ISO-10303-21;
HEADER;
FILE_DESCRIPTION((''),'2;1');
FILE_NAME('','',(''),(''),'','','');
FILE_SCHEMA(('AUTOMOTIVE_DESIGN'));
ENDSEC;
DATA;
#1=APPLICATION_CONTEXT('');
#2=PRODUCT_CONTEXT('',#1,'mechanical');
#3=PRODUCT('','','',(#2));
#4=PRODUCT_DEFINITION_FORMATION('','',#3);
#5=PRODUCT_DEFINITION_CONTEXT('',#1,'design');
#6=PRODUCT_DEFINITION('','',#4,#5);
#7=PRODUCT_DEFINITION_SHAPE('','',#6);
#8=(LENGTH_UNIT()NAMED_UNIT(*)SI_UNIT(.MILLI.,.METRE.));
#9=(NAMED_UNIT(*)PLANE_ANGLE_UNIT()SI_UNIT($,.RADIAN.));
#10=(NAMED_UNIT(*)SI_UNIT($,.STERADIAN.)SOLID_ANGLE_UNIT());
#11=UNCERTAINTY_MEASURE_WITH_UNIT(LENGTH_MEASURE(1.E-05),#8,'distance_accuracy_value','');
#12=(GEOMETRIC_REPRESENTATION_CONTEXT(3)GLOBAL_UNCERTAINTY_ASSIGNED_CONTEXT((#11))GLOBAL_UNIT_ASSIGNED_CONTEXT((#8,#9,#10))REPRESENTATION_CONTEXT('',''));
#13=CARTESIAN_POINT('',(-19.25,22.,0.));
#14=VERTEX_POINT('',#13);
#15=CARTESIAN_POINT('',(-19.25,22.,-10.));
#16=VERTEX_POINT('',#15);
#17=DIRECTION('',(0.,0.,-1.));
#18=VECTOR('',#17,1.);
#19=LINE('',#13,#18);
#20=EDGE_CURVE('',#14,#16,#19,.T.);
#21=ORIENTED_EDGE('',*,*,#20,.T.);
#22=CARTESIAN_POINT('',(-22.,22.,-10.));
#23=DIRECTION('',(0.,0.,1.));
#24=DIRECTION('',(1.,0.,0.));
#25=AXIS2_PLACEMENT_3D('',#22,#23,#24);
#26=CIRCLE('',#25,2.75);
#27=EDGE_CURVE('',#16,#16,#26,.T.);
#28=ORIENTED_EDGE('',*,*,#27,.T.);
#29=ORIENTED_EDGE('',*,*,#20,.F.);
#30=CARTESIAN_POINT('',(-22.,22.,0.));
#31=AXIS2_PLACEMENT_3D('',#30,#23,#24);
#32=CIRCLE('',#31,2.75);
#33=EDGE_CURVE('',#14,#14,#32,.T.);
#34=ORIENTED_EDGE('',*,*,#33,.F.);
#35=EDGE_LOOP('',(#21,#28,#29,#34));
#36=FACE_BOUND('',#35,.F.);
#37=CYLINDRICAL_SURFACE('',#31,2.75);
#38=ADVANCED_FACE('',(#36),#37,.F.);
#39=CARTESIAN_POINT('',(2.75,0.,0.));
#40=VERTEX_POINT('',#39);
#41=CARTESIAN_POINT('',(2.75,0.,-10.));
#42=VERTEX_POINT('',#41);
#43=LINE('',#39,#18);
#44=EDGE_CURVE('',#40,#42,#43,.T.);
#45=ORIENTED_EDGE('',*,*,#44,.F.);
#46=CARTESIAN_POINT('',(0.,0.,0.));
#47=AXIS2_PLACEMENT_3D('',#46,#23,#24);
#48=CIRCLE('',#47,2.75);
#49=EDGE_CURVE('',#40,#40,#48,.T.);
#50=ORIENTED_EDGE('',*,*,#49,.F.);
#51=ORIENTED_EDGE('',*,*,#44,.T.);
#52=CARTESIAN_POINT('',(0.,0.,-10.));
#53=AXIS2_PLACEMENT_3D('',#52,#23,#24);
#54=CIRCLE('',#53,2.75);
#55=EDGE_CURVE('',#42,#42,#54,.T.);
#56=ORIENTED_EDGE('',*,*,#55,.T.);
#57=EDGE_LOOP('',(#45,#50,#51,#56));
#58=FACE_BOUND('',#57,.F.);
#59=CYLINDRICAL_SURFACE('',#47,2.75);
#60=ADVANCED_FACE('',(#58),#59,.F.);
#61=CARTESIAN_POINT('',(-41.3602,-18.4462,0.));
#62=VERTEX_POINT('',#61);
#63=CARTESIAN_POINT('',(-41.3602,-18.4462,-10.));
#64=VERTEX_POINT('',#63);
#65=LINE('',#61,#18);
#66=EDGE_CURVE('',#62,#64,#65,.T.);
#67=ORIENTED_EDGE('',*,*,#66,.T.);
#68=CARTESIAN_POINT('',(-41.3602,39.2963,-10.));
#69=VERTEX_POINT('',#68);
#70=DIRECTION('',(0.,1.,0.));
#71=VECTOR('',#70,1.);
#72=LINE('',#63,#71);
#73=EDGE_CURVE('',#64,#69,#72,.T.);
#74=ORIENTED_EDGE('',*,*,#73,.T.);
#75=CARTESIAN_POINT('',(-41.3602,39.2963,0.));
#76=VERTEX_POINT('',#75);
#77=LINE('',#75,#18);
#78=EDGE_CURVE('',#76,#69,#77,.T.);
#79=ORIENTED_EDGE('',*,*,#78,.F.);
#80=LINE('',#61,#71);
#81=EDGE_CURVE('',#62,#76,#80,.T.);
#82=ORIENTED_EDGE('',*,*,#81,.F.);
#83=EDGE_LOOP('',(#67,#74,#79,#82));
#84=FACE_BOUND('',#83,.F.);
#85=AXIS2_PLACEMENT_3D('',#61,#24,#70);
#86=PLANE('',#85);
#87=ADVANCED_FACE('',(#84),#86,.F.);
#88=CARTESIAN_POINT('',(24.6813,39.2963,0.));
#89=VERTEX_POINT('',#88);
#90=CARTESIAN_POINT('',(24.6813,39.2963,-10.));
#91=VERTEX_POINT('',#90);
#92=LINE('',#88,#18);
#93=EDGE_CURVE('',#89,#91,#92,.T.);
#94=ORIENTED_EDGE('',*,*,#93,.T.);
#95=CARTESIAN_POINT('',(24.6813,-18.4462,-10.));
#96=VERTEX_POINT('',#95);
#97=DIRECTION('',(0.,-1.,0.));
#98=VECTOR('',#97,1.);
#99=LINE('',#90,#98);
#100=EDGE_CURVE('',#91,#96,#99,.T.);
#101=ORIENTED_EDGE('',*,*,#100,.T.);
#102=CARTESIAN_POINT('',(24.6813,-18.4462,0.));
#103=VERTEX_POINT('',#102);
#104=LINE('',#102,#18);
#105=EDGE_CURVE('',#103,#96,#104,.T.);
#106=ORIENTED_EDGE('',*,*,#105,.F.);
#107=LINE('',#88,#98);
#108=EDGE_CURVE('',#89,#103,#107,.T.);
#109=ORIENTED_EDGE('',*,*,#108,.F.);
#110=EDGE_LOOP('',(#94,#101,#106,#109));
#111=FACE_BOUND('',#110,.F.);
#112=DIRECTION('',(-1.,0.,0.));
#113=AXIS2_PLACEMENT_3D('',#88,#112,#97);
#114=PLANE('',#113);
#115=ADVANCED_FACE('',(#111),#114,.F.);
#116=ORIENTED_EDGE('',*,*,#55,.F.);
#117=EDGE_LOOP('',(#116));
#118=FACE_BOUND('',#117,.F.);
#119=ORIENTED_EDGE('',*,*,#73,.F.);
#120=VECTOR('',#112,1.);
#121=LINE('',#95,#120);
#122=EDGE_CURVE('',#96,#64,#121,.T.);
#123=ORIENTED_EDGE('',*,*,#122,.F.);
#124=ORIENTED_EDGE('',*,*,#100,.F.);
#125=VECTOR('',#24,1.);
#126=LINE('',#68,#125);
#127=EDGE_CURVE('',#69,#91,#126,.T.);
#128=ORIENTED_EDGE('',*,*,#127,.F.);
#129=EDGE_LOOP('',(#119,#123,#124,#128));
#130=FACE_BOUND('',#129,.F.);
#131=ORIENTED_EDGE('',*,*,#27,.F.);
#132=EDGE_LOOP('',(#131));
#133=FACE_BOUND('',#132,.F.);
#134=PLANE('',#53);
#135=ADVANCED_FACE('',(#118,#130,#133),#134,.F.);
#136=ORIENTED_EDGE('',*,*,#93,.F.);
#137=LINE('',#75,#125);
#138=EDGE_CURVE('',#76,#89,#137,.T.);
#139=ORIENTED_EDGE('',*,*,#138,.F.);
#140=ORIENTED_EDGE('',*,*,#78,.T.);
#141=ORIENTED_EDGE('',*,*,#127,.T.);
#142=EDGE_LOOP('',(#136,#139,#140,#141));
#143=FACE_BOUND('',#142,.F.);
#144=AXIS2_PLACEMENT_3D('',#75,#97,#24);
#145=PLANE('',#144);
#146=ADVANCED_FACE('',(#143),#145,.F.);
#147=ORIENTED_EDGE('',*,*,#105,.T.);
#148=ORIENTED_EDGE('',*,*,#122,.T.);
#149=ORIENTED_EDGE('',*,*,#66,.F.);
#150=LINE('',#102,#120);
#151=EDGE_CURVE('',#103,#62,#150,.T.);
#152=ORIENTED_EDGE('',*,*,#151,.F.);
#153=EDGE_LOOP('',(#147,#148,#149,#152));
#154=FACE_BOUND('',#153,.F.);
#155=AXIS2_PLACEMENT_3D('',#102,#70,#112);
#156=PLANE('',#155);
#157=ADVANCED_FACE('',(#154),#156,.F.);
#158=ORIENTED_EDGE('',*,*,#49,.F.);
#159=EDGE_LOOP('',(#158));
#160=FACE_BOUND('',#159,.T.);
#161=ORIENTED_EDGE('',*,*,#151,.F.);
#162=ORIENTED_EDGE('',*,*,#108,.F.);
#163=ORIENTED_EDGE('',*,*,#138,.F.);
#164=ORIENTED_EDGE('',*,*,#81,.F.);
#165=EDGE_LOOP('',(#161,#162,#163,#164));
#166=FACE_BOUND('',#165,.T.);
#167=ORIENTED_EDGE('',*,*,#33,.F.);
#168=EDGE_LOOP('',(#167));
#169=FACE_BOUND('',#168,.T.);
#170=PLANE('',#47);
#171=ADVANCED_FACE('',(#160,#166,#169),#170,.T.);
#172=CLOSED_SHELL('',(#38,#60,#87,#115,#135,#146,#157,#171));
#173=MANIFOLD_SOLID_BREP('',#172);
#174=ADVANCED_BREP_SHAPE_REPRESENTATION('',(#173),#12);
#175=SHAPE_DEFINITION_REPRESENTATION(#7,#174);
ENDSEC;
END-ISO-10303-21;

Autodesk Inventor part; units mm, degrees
ref_plane "YZ Plane" through (0, 0, 0) normal (1, 0, 0) x (0, 1, 0)
ref_plane "XZ Plane" through (0, 0, 0) normal (0, 1, 0) x (-1, 0, 0)
ref_plane "XY Plane" through (0, 0, 0) normal (0, 0, 1) x (1, 0, 0)
sketch "Sketch1" plane through (0, 0, 0) normal (0, 0, 1) x (1, 0, 0)
  circle A0 centre (0, 0) radius 2.75
  circle A1 centre (-22, 22) radius 2.75
  circle A2 centre (0, 0) radius 11 construction
  circle A3 centre (-22, 22) radius 11 construction
  line L0 (-41.3602, 39.2963) -> (24.6813, 39.2963)
  line L1 (24.6813, 39.2963) -> (24.6813, -18.4462)
  line L2 (24.6813, -18.4462) -> (-41.3602, -18.4462)
  line L3 (-41.3602, -18.4462) -> (-41.3602, 39.2963)
  dimension "d0" = 5.5
  dimension "d1" = 5.5
  dimension "d2" = 22
  dimension "d3" = 22
  dimension "d4" = 22
extrude "Extrusion1" add sketch "Sketch1" against normal blind 10
properties part number "rearSwingarmBaseV1"
